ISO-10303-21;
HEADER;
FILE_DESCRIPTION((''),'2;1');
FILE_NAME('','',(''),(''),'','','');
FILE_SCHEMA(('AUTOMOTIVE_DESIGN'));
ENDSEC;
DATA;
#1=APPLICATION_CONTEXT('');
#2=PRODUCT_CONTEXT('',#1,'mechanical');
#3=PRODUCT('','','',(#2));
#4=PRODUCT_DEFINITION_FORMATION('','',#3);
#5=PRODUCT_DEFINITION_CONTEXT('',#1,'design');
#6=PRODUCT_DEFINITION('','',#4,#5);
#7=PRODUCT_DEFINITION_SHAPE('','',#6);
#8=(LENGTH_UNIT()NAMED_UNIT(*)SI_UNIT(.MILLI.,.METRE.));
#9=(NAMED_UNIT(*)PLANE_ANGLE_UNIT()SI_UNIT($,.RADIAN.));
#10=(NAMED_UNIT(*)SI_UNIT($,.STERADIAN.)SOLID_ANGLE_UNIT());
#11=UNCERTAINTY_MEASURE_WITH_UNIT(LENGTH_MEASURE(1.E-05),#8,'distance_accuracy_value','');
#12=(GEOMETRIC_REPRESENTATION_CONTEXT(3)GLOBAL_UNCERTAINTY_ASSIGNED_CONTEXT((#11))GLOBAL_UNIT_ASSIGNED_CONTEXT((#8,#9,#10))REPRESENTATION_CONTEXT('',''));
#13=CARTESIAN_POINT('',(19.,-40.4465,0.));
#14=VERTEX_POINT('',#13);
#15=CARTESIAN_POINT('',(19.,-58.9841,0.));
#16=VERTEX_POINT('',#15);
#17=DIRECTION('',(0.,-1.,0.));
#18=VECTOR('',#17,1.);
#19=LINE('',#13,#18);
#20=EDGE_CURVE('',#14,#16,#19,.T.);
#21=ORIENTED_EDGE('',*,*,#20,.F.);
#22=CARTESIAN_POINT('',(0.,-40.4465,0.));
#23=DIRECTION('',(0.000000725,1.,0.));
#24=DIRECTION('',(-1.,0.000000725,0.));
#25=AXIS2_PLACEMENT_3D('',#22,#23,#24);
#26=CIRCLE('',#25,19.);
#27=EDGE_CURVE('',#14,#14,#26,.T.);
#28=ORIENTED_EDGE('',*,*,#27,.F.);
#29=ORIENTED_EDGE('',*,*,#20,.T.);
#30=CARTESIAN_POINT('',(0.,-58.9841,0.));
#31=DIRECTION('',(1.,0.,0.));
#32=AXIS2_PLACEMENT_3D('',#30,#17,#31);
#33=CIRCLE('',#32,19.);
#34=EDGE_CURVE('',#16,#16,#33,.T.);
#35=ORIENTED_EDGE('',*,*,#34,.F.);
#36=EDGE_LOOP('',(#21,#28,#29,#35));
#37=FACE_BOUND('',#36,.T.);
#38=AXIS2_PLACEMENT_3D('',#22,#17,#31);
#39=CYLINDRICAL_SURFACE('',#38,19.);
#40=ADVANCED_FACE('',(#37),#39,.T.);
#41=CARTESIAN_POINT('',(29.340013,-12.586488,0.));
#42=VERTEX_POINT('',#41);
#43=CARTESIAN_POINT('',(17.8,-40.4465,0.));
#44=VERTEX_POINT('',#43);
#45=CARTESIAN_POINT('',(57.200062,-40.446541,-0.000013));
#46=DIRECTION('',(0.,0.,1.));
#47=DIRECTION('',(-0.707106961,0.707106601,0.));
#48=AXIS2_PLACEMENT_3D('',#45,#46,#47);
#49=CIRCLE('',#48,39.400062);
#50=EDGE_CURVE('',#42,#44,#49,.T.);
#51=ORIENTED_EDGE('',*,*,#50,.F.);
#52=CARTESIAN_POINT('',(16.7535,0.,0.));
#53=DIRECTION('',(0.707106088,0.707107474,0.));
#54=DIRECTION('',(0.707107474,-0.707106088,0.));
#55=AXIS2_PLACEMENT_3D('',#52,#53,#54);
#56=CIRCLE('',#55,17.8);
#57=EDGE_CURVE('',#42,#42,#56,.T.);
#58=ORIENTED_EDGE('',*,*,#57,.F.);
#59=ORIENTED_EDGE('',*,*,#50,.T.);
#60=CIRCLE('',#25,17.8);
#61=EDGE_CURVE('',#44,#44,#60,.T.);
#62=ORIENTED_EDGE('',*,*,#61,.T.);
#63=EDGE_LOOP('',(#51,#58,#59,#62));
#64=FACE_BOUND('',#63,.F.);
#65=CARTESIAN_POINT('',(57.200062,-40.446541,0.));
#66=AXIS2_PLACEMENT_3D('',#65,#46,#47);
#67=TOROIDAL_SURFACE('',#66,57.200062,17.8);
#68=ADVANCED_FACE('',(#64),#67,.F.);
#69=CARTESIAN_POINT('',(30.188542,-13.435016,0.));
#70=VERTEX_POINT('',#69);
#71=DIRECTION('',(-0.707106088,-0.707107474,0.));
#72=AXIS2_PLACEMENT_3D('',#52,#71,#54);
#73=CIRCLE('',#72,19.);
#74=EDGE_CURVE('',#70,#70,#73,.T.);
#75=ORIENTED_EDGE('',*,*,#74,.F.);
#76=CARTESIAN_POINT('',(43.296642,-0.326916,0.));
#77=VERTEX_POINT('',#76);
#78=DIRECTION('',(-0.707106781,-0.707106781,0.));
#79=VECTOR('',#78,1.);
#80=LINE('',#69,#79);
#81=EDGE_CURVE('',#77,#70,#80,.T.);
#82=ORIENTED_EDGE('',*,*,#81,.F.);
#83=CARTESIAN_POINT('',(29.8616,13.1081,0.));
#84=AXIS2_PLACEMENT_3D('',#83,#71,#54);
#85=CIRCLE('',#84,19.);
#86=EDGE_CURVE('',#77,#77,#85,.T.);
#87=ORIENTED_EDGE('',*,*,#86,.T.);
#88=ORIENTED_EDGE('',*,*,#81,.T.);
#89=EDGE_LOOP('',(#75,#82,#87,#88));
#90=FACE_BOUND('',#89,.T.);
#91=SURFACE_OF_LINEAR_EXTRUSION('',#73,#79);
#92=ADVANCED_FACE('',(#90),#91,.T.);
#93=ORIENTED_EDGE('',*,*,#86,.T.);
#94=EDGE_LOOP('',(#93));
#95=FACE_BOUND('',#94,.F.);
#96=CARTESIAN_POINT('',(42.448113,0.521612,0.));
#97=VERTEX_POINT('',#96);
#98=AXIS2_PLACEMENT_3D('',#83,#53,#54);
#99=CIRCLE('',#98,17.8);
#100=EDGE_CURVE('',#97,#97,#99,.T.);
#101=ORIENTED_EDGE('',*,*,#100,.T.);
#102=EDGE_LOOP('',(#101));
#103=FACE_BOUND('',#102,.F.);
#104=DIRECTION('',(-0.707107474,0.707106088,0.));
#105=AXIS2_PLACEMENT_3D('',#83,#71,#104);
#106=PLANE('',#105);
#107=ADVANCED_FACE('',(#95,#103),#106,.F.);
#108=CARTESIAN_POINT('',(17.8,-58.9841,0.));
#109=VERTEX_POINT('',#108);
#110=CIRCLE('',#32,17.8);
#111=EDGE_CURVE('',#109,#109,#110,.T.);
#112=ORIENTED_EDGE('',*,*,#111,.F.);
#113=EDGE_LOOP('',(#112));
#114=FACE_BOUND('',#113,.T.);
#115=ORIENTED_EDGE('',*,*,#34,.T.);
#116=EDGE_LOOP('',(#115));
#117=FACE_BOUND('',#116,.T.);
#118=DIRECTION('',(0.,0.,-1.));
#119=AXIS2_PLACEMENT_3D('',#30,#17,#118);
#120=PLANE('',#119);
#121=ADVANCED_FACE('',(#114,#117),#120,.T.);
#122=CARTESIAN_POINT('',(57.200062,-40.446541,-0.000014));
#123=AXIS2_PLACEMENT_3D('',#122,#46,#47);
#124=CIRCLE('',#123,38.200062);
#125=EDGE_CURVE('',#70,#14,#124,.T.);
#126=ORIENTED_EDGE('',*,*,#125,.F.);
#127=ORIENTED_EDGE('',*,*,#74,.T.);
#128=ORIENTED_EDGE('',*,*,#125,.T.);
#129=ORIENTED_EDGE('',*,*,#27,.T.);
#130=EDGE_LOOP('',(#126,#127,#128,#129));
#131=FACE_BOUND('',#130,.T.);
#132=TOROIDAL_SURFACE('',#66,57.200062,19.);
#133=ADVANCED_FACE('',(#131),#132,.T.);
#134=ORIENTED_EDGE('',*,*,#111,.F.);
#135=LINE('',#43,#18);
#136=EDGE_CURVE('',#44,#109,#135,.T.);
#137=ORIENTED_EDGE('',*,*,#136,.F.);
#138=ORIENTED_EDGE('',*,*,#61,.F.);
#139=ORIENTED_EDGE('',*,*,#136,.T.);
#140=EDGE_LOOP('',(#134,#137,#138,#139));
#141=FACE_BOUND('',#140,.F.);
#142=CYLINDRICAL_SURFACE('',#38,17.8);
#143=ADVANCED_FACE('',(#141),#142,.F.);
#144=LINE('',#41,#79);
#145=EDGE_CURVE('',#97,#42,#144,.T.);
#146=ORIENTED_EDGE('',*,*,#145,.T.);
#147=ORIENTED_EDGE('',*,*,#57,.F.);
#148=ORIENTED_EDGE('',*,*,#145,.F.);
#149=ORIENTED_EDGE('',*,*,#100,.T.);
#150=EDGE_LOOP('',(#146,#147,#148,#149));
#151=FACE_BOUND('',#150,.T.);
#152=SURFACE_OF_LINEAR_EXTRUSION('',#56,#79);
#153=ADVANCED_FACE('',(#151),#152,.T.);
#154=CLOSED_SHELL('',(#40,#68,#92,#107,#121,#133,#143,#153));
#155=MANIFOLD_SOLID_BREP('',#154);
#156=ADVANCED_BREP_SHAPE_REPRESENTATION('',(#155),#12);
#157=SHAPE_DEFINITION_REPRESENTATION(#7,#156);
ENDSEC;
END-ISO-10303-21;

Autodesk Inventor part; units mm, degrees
ref_plane "YZ Plane" through (0, 0, 0) normal (1, 0, 0) x (0, 1, 0)
ref_plane "XZ Plane" through (0, 0, 0) normal (0, 1, 0) x (-1, 0, 0)
sketch "Szkic6" plane through (0, 0, 0) normal (0, 0, 1) x (1, 0, 0)
  line L0 (-29.6067, 0) -> (35.2678, 0) construction
  line L1 (0, 42.3419) -> (0, -58.3726) construction
  arc A0 (16.7535, 0) -> (0, -40.4465) centre (57.2, -40.4465) ccw
  line L2 (0, -40.4465) -> (57.2, -40.4465) construction
  line L3 (57.2, -40.4465) -> (10.8611, 5.8924) construction
  line L4 (16.7535, 0) -> (29.8616, 13.1081)
  line L5 (0, -40.4465) -> (0, -58.9841)
  point P0 (0, 0)
  dimension "d24" = 57.2
  dimension "d31" = 45
  dimension "d36" = 18.5376
  dimension "d37" = 18.5376
ref_plane "Płaszczyzna konstrukcyjna2" through (0, -40.4465, 0) normal (0, -1, 0) x (1, 0, 0)
sketch "Szkic8" plane through (0, -40.4465, 0) normal (0, -1, 0) x (1, 0, 0)
  circle A0 centre (0, 0) radius 19
  circle A1 centre (0, 0) radius 17.8
  dimension "d32" = 38
  dimension "d33" = 1.2
sweep "Przeciągnięcie2" add profiles "Szkic8" path "Szkic6"
equation "\"d32\" = OD"
equation "\"d33\" = THK"
equation "\"d24\" = R"
equation "\"d31\" = KAT"
equation "\"d36\" = PROSTKA"
equation "\"d37\" = PROSTKA"
equation "\"SzerokośćGięciaPodcięcia\" = Grubość"
equation "\"RozmiarPodcięciaNarożnika\" = 4 * Grubość"
equation "\"PromieńPrzejścia\" = PromieńGięcia"
equation "\"Rozmiar_promienia_Jacobiego\" = PromieńGięcia"
equation "\"Wielk_odstępu\" = Grubość"
equation "\"d2\" = PromieńGięcia"
equation "\"d23\" = PromieńGięcia"
equation "\"R\" = 57.2"
equation "\"OD\" = 38"
equation "\"THK\" = 1.2"
equation "\"KAT\" = 45deg"
equation "\"PROSTKA\" = 18.53761"
equation "\"Grubość\" = 1.5"
equation "\"PromieńGięcia\" = 3"
properties part number "Kolano 45° ø38x1,2 R57,2" material "304L"
